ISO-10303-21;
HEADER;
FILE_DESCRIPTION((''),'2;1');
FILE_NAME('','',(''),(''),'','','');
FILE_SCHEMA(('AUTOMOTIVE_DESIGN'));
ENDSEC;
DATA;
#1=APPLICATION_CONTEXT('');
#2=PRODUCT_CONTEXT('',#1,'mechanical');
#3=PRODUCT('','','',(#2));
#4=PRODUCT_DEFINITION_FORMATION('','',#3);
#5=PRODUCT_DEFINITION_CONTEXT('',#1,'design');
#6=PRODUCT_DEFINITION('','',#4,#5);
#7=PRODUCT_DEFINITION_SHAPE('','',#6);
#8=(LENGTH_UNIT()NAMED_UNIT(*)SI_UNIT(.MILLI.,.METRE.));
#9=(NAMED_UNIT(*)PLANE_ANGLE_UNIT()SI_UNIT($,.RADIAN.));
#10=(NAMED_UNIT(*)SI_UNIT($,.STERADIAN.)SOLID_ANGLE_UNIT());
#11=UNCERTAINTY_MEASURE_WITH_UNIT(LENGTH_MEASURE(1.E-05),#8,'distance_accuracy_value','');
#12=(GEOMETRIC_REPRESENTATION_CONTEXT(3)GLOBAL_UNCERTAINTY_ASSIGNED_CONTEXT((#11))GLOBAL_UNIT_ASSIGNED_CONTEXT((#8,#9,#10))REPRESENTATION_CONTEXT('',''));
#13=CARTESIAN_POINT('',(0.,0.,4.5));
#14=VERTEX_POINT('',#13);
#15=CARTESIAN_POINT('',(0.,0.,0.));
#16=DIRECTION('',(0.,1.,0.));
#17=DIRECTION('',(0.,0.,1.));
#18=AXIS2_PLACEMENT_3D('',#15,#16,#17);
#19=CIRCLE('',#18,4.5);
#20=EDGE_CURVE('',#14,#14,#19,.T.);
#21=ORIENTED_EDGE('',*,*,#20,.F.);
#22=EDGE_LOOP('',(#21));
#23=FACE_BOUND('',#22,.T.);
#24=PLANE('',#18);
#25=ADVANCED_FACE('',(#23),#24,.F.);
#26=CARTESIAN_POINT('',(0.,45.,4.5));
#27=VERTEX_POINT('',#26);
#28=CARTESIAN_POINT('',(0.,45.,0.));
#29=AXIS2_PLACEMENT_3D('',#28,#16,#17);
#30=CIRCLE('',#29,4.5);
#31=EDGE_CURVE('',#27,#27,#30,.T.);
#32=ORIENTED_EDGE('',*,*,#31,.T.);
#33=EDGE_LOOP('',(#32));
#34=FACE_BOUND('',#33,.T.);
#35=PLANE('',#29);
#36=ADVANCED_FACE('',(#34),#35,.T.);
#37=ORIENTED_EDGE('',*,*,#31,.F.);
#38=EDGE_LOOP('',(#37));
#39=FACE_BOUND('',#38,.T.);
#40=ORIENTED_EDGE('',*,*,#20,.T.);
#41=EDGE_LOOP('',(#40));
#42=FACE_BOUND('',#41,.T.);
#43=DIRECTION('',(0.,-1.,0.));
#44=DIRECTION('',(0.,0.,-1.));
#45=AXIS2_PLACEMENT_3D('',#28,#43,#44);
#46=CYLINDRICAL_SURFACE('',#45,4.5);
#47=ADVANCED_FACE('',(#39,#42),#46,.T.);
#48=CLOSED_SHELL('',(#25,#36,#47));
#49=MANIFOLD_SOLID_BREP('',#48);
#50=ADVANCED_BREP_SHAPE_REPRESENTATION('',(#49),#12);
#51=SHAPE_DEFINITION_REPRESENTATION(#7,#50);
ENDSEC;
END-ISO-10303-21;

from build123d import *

# Parameters (mm, degrees)
SKETCH1_R           = 4.5
BOSS_EXTRUDE1_DEPTH = 45


with BuildPart() as part:
    # Sketch1 → Boss-Extrude1 (new body)
    with BuildSketch(Plane(origin=(0, 0, 0), x_dir=(1, 0, 0), z_dir=(0, 1, 0))):
        Circle(SKETCH1_R)
    extrude(amount=BOSS_EXTRUDE1_DEPTH)


solid = part.part
